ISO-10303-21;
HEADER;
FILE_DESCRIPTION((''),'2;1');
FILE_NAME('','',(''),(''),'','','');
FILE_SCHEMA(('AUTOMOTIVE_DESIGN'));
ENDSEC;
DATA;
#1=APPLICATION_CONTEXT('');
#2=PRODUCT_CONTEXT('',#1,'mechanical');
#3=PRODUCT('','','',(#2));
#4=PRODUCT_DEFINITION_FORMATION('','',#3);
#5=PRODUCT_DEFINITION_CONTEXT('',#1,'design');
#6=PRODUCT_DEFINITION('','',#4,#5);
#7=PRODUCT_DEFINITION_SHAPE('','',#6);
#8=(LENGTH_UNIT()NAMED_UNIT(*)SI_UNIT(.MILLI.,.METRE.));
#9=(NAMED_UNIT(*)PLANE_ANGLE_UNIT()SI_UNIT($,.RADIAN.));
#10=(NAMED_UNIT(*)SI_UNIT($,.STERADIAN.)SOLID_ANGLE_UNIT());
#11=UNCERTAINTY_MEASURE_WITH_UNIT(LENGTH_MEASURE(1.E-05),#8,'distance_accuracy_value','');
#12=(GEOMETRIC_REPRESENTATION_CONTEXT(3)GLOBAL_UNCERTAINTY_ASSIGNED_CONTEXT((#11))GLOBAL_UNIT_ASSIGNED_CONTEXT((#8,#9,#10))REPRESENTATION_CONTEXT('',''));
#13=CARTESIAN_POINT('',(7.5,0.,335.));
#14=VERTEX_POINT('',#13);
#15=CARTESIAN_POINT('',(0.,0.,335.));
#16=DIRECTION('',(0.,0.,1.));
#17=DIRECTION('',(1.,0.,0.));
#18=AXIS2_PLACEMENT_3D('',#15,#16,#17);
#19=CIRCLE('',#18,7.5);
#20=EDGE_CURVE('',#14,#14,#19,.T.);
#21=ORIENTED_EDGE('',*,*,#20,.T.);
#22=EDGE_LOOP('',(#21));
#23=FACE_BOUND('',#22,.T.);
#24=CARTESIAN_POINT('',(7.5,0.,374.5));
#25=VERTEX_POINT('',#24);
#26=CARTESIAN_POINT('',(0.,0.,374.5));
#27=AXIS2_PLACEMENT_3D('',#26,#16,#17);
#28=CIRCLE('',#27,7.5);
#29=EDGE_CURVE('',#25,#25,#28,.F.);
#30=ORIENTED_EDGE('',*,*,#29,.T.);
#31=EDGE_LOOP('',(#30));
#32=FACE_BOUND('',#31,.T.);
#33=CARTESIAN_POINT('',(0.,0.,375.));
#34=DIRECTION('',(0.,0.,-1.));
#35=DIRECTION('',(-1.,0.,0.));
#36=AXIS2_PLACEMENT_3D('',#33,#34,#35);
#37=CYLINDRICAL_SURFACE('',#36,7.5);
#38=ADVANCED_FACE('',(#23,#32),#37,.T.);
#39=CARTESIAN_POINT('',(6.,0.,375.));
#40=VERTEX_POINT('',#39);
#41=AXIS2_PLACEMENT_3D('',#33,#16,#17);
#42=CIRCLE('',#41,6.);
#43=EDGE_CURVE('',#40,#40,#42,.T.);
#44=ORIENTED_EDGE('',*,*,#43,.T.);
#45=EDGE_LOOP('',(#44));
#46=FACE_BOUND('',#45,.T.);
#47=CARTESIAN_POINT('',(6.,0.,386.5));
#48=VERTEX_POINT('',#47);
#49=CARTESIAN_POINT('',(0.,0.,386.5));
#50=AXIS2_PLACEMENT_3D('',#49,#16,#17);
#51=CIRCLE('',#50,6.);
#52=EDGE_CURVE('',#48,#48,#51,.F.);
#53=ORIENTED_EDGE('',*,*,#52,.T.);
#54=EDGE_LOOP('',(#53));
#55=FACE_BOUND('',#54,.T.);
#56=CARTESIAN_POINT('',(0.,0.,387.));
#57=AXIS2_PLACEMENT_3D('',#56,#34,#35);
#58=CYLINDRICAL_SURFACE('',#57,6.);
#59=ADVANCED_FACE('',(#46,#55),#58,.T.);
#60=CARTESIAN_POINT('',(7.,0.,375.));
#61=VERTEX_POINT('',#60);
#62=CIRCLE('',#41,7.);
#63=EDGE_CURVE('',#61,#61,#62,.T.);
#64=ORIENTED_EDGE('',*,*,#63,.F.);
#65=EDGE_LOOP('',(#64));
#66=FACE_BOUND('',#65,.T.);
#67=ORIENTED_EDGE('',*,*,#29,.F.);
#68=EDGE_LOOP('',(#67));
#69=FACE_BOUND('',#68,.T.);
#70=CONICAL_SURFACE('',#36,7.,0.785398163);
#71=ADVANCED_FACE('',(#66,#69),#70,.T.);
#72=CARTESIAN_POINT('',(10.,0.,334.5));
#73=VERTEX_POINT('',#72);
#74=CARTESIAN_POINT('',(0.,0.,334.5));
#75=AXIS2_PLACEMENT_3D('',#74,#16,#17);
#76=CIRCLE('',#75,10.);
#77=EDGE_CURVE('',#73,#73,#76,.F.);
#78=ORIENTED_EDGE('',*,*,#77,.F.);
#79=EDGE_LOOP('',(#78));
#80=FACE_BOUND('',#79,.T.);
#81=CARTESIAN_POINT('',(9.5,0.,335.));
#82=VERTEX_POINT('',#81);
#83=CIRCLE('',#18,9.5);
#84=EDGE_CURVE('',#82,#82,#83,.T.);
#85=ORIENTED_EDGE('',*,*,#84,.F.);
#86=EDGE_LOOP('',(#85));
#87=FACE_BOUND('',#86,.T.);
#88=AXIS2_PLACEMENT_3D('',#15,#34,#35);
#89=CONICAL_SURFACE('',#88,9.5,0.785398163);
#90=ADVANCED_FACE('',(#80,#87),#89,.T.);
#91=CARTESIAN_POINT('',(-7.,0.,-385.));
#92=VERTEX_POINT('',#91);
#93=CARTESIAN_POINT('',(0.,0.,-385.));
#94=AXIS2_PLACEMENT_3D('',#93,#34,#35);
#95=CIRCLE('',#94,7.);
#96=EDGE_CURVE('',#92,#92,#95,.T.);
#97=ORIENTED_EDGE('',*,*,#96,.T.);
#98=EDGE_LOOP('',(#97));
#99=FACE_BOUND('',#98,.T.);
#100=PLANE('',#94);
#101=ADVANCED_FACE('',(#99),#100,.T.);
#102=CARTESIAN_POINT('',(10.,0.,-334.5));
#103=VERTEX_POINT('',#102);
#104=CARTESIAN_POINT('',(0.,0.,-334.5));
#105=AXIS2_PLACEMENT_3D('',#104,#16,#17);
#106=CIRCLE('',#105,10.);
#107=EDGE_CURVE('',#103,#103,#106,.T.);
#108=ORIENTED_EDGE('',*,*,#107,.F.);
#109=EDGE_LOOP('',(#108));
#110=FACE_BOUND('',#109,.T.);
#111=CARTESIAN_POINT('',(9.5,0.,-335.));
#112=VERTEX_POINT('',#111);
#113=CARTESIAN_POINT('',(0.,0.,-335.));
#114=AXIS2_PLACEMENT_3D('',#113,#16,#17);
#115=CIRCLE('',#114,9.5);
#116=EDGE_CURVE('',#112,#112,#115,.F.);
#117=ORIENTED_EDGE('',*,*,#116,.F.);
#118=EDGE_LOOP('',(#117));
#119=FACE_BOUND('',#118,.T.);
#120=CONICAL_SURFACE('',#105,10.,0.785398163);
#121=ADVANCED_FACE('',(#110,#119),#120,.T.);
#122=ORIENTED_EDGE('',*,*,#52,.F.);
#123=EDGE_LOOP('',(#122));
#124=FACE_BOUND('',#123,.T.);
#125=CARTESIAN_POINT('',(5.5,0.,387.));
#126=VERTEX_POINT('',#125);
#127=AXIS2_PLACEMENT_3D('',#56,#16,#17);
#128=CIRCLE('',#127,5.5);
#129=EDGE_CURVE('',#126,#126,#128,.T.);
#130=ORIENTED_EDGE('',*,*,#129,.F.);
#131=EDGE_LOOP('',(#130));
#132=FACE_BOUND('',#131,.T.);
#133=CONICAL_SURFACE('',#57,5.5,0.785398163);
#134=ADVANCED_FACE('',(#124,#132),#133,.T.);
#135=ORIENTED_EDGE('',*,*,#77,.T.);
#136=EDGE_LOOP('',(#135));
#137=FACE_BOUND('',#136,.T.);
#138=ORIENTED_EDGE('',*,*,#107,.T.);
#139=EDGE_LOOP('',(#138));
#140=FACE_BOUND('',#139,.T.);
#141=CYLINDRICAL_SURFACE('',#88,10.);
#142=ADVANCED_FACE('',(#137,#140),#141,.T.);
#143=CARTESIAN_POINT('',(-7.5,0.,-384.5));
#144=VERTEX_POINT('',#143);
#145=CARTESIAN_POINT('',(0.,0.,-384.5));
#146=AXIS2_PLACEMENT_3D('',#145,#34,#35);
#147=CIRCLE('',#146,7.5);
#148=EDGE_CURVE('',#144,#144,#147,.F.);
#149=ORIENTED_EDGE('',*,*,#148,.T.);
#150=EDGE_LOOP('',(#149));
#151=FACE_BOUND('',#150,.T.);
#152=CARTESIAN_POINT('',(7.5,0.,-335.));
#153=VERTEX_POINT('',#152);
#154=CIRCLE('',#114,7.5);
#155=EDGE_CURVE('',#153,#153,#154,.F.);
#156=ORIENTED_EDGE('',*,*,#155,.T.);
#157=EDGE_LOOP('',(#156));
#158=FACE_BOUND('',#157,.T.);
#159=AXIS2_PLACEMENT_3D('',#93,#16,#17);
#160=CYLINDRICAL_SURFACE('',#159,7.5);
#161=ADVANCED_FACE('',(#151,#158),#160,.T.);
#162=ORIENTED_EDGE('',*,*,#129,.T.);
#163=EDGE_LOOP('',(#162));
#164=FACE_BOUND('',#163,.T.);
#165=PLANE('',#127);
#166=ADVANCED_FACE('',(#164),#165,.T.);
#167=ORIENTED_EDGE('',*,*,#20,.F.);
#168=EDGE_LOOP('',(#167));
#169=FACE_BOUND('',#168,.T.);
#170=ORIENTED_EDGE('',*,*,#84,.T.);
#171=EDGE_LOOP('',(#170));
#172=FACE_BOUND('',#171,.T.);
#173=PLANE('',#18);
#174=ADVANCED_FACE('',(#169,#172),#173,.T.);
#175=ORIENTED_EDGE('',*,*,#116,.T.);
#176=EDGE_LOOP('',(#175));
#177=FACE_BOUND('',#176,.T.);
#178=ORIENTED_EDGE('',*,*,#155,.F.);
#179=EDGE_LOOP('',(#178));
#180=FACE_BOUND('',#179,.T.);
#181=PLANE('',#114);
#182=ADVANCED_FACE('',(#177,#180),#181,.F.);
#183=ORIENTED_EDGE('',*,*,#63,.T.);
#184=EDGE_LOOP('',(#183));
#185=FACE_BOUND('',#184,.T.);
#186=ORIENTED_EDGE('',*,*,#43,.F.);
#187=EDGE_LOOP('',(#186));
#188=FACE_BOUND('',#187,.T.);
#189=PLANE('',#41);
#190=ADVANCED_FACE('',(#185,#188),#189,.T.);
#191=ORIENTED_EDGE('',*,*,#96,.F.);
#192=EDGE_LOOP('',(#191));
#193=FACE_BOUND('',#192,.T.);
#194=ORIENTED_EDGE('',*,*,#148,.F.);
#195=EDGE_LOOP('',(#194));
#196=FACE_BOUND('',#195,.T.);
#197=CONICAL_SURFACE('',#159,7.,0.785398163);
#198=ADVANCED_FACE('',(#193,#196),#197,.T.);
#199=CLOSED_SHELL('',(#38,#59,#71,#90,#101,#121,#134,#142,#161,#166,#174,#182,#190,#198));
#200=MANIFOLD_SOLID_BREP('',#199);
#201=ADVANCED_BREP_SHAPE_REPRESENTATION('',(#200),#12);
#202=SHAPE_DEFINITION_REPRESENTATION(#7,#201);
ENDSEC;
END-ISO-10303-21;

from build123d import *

# Parameters (mm, degrees)
SKETCH1_R           = 10
BOSS_EXTRUDE1_DEPTH = 335
SKETCH4_R           = 7.5
BOSS_EXTRUDE2_DEPTH = 40
SKETCH5_R           = 6
BOSS_EXTRUDE3_DEPTH = 12
BOSS_EXTRUDE5_START = 50
SKETCH11_R          = 7.5
BOSS_EXTRUDE5_DEPTH = 50
CHAMFER2_SIZE       = 0.5


with BuildPart() as part:
    # Sketch1 → Boss-Extrude1 (new, symmetric)
    with BuildSketch(Plane.XY):
        Circle(SKETCH1_R)
    extrude(amount=BOSS_EXTRUDE1_DEPTH, both=True)

    # Sketch4 → Boss-Extrude2 (add)
    with BuildSketch(Plane.XY.offset(335)):
        Circle(SKETCH4_R)
    extrude(amount=BOSS_EXTRUDE2_DEPTH)

    # Sketch5 → Boss-Extrude3 (add)
    with BuildSketch(Plane.XY.offset(375)):
        Circle(SKETCH5_R)
    extrude(amount=BOSS_EXTRUDE3_DEPTH)

    # Sketch11 → Boss-Extrude5 (add)
    with BuildSketch(Plane(origin=(0, 0, -335), x_dir=(-1, 0, 0), z_dir=(0, 0, -1)).offset(BOSS_EXTRUDE5_START)):
        Circle(SKETCH11_R)
    extrude(amount=-BOSS_EXTRUDE5_DEPTH)

    # Chamfer2
    chamfer2_edges = [part.edges().sort_by_distance(p)[0] for p in [
        (7.5, 0, -385),
        (-6, 0, 387),
        (-10, 0, -335),
        (-7.5, 0, 375),
        (-10, 0, 335),
    ]]
    chamfer(chamfer2_edges, length=CHAMFER2_SIZE)


solid = part.part
